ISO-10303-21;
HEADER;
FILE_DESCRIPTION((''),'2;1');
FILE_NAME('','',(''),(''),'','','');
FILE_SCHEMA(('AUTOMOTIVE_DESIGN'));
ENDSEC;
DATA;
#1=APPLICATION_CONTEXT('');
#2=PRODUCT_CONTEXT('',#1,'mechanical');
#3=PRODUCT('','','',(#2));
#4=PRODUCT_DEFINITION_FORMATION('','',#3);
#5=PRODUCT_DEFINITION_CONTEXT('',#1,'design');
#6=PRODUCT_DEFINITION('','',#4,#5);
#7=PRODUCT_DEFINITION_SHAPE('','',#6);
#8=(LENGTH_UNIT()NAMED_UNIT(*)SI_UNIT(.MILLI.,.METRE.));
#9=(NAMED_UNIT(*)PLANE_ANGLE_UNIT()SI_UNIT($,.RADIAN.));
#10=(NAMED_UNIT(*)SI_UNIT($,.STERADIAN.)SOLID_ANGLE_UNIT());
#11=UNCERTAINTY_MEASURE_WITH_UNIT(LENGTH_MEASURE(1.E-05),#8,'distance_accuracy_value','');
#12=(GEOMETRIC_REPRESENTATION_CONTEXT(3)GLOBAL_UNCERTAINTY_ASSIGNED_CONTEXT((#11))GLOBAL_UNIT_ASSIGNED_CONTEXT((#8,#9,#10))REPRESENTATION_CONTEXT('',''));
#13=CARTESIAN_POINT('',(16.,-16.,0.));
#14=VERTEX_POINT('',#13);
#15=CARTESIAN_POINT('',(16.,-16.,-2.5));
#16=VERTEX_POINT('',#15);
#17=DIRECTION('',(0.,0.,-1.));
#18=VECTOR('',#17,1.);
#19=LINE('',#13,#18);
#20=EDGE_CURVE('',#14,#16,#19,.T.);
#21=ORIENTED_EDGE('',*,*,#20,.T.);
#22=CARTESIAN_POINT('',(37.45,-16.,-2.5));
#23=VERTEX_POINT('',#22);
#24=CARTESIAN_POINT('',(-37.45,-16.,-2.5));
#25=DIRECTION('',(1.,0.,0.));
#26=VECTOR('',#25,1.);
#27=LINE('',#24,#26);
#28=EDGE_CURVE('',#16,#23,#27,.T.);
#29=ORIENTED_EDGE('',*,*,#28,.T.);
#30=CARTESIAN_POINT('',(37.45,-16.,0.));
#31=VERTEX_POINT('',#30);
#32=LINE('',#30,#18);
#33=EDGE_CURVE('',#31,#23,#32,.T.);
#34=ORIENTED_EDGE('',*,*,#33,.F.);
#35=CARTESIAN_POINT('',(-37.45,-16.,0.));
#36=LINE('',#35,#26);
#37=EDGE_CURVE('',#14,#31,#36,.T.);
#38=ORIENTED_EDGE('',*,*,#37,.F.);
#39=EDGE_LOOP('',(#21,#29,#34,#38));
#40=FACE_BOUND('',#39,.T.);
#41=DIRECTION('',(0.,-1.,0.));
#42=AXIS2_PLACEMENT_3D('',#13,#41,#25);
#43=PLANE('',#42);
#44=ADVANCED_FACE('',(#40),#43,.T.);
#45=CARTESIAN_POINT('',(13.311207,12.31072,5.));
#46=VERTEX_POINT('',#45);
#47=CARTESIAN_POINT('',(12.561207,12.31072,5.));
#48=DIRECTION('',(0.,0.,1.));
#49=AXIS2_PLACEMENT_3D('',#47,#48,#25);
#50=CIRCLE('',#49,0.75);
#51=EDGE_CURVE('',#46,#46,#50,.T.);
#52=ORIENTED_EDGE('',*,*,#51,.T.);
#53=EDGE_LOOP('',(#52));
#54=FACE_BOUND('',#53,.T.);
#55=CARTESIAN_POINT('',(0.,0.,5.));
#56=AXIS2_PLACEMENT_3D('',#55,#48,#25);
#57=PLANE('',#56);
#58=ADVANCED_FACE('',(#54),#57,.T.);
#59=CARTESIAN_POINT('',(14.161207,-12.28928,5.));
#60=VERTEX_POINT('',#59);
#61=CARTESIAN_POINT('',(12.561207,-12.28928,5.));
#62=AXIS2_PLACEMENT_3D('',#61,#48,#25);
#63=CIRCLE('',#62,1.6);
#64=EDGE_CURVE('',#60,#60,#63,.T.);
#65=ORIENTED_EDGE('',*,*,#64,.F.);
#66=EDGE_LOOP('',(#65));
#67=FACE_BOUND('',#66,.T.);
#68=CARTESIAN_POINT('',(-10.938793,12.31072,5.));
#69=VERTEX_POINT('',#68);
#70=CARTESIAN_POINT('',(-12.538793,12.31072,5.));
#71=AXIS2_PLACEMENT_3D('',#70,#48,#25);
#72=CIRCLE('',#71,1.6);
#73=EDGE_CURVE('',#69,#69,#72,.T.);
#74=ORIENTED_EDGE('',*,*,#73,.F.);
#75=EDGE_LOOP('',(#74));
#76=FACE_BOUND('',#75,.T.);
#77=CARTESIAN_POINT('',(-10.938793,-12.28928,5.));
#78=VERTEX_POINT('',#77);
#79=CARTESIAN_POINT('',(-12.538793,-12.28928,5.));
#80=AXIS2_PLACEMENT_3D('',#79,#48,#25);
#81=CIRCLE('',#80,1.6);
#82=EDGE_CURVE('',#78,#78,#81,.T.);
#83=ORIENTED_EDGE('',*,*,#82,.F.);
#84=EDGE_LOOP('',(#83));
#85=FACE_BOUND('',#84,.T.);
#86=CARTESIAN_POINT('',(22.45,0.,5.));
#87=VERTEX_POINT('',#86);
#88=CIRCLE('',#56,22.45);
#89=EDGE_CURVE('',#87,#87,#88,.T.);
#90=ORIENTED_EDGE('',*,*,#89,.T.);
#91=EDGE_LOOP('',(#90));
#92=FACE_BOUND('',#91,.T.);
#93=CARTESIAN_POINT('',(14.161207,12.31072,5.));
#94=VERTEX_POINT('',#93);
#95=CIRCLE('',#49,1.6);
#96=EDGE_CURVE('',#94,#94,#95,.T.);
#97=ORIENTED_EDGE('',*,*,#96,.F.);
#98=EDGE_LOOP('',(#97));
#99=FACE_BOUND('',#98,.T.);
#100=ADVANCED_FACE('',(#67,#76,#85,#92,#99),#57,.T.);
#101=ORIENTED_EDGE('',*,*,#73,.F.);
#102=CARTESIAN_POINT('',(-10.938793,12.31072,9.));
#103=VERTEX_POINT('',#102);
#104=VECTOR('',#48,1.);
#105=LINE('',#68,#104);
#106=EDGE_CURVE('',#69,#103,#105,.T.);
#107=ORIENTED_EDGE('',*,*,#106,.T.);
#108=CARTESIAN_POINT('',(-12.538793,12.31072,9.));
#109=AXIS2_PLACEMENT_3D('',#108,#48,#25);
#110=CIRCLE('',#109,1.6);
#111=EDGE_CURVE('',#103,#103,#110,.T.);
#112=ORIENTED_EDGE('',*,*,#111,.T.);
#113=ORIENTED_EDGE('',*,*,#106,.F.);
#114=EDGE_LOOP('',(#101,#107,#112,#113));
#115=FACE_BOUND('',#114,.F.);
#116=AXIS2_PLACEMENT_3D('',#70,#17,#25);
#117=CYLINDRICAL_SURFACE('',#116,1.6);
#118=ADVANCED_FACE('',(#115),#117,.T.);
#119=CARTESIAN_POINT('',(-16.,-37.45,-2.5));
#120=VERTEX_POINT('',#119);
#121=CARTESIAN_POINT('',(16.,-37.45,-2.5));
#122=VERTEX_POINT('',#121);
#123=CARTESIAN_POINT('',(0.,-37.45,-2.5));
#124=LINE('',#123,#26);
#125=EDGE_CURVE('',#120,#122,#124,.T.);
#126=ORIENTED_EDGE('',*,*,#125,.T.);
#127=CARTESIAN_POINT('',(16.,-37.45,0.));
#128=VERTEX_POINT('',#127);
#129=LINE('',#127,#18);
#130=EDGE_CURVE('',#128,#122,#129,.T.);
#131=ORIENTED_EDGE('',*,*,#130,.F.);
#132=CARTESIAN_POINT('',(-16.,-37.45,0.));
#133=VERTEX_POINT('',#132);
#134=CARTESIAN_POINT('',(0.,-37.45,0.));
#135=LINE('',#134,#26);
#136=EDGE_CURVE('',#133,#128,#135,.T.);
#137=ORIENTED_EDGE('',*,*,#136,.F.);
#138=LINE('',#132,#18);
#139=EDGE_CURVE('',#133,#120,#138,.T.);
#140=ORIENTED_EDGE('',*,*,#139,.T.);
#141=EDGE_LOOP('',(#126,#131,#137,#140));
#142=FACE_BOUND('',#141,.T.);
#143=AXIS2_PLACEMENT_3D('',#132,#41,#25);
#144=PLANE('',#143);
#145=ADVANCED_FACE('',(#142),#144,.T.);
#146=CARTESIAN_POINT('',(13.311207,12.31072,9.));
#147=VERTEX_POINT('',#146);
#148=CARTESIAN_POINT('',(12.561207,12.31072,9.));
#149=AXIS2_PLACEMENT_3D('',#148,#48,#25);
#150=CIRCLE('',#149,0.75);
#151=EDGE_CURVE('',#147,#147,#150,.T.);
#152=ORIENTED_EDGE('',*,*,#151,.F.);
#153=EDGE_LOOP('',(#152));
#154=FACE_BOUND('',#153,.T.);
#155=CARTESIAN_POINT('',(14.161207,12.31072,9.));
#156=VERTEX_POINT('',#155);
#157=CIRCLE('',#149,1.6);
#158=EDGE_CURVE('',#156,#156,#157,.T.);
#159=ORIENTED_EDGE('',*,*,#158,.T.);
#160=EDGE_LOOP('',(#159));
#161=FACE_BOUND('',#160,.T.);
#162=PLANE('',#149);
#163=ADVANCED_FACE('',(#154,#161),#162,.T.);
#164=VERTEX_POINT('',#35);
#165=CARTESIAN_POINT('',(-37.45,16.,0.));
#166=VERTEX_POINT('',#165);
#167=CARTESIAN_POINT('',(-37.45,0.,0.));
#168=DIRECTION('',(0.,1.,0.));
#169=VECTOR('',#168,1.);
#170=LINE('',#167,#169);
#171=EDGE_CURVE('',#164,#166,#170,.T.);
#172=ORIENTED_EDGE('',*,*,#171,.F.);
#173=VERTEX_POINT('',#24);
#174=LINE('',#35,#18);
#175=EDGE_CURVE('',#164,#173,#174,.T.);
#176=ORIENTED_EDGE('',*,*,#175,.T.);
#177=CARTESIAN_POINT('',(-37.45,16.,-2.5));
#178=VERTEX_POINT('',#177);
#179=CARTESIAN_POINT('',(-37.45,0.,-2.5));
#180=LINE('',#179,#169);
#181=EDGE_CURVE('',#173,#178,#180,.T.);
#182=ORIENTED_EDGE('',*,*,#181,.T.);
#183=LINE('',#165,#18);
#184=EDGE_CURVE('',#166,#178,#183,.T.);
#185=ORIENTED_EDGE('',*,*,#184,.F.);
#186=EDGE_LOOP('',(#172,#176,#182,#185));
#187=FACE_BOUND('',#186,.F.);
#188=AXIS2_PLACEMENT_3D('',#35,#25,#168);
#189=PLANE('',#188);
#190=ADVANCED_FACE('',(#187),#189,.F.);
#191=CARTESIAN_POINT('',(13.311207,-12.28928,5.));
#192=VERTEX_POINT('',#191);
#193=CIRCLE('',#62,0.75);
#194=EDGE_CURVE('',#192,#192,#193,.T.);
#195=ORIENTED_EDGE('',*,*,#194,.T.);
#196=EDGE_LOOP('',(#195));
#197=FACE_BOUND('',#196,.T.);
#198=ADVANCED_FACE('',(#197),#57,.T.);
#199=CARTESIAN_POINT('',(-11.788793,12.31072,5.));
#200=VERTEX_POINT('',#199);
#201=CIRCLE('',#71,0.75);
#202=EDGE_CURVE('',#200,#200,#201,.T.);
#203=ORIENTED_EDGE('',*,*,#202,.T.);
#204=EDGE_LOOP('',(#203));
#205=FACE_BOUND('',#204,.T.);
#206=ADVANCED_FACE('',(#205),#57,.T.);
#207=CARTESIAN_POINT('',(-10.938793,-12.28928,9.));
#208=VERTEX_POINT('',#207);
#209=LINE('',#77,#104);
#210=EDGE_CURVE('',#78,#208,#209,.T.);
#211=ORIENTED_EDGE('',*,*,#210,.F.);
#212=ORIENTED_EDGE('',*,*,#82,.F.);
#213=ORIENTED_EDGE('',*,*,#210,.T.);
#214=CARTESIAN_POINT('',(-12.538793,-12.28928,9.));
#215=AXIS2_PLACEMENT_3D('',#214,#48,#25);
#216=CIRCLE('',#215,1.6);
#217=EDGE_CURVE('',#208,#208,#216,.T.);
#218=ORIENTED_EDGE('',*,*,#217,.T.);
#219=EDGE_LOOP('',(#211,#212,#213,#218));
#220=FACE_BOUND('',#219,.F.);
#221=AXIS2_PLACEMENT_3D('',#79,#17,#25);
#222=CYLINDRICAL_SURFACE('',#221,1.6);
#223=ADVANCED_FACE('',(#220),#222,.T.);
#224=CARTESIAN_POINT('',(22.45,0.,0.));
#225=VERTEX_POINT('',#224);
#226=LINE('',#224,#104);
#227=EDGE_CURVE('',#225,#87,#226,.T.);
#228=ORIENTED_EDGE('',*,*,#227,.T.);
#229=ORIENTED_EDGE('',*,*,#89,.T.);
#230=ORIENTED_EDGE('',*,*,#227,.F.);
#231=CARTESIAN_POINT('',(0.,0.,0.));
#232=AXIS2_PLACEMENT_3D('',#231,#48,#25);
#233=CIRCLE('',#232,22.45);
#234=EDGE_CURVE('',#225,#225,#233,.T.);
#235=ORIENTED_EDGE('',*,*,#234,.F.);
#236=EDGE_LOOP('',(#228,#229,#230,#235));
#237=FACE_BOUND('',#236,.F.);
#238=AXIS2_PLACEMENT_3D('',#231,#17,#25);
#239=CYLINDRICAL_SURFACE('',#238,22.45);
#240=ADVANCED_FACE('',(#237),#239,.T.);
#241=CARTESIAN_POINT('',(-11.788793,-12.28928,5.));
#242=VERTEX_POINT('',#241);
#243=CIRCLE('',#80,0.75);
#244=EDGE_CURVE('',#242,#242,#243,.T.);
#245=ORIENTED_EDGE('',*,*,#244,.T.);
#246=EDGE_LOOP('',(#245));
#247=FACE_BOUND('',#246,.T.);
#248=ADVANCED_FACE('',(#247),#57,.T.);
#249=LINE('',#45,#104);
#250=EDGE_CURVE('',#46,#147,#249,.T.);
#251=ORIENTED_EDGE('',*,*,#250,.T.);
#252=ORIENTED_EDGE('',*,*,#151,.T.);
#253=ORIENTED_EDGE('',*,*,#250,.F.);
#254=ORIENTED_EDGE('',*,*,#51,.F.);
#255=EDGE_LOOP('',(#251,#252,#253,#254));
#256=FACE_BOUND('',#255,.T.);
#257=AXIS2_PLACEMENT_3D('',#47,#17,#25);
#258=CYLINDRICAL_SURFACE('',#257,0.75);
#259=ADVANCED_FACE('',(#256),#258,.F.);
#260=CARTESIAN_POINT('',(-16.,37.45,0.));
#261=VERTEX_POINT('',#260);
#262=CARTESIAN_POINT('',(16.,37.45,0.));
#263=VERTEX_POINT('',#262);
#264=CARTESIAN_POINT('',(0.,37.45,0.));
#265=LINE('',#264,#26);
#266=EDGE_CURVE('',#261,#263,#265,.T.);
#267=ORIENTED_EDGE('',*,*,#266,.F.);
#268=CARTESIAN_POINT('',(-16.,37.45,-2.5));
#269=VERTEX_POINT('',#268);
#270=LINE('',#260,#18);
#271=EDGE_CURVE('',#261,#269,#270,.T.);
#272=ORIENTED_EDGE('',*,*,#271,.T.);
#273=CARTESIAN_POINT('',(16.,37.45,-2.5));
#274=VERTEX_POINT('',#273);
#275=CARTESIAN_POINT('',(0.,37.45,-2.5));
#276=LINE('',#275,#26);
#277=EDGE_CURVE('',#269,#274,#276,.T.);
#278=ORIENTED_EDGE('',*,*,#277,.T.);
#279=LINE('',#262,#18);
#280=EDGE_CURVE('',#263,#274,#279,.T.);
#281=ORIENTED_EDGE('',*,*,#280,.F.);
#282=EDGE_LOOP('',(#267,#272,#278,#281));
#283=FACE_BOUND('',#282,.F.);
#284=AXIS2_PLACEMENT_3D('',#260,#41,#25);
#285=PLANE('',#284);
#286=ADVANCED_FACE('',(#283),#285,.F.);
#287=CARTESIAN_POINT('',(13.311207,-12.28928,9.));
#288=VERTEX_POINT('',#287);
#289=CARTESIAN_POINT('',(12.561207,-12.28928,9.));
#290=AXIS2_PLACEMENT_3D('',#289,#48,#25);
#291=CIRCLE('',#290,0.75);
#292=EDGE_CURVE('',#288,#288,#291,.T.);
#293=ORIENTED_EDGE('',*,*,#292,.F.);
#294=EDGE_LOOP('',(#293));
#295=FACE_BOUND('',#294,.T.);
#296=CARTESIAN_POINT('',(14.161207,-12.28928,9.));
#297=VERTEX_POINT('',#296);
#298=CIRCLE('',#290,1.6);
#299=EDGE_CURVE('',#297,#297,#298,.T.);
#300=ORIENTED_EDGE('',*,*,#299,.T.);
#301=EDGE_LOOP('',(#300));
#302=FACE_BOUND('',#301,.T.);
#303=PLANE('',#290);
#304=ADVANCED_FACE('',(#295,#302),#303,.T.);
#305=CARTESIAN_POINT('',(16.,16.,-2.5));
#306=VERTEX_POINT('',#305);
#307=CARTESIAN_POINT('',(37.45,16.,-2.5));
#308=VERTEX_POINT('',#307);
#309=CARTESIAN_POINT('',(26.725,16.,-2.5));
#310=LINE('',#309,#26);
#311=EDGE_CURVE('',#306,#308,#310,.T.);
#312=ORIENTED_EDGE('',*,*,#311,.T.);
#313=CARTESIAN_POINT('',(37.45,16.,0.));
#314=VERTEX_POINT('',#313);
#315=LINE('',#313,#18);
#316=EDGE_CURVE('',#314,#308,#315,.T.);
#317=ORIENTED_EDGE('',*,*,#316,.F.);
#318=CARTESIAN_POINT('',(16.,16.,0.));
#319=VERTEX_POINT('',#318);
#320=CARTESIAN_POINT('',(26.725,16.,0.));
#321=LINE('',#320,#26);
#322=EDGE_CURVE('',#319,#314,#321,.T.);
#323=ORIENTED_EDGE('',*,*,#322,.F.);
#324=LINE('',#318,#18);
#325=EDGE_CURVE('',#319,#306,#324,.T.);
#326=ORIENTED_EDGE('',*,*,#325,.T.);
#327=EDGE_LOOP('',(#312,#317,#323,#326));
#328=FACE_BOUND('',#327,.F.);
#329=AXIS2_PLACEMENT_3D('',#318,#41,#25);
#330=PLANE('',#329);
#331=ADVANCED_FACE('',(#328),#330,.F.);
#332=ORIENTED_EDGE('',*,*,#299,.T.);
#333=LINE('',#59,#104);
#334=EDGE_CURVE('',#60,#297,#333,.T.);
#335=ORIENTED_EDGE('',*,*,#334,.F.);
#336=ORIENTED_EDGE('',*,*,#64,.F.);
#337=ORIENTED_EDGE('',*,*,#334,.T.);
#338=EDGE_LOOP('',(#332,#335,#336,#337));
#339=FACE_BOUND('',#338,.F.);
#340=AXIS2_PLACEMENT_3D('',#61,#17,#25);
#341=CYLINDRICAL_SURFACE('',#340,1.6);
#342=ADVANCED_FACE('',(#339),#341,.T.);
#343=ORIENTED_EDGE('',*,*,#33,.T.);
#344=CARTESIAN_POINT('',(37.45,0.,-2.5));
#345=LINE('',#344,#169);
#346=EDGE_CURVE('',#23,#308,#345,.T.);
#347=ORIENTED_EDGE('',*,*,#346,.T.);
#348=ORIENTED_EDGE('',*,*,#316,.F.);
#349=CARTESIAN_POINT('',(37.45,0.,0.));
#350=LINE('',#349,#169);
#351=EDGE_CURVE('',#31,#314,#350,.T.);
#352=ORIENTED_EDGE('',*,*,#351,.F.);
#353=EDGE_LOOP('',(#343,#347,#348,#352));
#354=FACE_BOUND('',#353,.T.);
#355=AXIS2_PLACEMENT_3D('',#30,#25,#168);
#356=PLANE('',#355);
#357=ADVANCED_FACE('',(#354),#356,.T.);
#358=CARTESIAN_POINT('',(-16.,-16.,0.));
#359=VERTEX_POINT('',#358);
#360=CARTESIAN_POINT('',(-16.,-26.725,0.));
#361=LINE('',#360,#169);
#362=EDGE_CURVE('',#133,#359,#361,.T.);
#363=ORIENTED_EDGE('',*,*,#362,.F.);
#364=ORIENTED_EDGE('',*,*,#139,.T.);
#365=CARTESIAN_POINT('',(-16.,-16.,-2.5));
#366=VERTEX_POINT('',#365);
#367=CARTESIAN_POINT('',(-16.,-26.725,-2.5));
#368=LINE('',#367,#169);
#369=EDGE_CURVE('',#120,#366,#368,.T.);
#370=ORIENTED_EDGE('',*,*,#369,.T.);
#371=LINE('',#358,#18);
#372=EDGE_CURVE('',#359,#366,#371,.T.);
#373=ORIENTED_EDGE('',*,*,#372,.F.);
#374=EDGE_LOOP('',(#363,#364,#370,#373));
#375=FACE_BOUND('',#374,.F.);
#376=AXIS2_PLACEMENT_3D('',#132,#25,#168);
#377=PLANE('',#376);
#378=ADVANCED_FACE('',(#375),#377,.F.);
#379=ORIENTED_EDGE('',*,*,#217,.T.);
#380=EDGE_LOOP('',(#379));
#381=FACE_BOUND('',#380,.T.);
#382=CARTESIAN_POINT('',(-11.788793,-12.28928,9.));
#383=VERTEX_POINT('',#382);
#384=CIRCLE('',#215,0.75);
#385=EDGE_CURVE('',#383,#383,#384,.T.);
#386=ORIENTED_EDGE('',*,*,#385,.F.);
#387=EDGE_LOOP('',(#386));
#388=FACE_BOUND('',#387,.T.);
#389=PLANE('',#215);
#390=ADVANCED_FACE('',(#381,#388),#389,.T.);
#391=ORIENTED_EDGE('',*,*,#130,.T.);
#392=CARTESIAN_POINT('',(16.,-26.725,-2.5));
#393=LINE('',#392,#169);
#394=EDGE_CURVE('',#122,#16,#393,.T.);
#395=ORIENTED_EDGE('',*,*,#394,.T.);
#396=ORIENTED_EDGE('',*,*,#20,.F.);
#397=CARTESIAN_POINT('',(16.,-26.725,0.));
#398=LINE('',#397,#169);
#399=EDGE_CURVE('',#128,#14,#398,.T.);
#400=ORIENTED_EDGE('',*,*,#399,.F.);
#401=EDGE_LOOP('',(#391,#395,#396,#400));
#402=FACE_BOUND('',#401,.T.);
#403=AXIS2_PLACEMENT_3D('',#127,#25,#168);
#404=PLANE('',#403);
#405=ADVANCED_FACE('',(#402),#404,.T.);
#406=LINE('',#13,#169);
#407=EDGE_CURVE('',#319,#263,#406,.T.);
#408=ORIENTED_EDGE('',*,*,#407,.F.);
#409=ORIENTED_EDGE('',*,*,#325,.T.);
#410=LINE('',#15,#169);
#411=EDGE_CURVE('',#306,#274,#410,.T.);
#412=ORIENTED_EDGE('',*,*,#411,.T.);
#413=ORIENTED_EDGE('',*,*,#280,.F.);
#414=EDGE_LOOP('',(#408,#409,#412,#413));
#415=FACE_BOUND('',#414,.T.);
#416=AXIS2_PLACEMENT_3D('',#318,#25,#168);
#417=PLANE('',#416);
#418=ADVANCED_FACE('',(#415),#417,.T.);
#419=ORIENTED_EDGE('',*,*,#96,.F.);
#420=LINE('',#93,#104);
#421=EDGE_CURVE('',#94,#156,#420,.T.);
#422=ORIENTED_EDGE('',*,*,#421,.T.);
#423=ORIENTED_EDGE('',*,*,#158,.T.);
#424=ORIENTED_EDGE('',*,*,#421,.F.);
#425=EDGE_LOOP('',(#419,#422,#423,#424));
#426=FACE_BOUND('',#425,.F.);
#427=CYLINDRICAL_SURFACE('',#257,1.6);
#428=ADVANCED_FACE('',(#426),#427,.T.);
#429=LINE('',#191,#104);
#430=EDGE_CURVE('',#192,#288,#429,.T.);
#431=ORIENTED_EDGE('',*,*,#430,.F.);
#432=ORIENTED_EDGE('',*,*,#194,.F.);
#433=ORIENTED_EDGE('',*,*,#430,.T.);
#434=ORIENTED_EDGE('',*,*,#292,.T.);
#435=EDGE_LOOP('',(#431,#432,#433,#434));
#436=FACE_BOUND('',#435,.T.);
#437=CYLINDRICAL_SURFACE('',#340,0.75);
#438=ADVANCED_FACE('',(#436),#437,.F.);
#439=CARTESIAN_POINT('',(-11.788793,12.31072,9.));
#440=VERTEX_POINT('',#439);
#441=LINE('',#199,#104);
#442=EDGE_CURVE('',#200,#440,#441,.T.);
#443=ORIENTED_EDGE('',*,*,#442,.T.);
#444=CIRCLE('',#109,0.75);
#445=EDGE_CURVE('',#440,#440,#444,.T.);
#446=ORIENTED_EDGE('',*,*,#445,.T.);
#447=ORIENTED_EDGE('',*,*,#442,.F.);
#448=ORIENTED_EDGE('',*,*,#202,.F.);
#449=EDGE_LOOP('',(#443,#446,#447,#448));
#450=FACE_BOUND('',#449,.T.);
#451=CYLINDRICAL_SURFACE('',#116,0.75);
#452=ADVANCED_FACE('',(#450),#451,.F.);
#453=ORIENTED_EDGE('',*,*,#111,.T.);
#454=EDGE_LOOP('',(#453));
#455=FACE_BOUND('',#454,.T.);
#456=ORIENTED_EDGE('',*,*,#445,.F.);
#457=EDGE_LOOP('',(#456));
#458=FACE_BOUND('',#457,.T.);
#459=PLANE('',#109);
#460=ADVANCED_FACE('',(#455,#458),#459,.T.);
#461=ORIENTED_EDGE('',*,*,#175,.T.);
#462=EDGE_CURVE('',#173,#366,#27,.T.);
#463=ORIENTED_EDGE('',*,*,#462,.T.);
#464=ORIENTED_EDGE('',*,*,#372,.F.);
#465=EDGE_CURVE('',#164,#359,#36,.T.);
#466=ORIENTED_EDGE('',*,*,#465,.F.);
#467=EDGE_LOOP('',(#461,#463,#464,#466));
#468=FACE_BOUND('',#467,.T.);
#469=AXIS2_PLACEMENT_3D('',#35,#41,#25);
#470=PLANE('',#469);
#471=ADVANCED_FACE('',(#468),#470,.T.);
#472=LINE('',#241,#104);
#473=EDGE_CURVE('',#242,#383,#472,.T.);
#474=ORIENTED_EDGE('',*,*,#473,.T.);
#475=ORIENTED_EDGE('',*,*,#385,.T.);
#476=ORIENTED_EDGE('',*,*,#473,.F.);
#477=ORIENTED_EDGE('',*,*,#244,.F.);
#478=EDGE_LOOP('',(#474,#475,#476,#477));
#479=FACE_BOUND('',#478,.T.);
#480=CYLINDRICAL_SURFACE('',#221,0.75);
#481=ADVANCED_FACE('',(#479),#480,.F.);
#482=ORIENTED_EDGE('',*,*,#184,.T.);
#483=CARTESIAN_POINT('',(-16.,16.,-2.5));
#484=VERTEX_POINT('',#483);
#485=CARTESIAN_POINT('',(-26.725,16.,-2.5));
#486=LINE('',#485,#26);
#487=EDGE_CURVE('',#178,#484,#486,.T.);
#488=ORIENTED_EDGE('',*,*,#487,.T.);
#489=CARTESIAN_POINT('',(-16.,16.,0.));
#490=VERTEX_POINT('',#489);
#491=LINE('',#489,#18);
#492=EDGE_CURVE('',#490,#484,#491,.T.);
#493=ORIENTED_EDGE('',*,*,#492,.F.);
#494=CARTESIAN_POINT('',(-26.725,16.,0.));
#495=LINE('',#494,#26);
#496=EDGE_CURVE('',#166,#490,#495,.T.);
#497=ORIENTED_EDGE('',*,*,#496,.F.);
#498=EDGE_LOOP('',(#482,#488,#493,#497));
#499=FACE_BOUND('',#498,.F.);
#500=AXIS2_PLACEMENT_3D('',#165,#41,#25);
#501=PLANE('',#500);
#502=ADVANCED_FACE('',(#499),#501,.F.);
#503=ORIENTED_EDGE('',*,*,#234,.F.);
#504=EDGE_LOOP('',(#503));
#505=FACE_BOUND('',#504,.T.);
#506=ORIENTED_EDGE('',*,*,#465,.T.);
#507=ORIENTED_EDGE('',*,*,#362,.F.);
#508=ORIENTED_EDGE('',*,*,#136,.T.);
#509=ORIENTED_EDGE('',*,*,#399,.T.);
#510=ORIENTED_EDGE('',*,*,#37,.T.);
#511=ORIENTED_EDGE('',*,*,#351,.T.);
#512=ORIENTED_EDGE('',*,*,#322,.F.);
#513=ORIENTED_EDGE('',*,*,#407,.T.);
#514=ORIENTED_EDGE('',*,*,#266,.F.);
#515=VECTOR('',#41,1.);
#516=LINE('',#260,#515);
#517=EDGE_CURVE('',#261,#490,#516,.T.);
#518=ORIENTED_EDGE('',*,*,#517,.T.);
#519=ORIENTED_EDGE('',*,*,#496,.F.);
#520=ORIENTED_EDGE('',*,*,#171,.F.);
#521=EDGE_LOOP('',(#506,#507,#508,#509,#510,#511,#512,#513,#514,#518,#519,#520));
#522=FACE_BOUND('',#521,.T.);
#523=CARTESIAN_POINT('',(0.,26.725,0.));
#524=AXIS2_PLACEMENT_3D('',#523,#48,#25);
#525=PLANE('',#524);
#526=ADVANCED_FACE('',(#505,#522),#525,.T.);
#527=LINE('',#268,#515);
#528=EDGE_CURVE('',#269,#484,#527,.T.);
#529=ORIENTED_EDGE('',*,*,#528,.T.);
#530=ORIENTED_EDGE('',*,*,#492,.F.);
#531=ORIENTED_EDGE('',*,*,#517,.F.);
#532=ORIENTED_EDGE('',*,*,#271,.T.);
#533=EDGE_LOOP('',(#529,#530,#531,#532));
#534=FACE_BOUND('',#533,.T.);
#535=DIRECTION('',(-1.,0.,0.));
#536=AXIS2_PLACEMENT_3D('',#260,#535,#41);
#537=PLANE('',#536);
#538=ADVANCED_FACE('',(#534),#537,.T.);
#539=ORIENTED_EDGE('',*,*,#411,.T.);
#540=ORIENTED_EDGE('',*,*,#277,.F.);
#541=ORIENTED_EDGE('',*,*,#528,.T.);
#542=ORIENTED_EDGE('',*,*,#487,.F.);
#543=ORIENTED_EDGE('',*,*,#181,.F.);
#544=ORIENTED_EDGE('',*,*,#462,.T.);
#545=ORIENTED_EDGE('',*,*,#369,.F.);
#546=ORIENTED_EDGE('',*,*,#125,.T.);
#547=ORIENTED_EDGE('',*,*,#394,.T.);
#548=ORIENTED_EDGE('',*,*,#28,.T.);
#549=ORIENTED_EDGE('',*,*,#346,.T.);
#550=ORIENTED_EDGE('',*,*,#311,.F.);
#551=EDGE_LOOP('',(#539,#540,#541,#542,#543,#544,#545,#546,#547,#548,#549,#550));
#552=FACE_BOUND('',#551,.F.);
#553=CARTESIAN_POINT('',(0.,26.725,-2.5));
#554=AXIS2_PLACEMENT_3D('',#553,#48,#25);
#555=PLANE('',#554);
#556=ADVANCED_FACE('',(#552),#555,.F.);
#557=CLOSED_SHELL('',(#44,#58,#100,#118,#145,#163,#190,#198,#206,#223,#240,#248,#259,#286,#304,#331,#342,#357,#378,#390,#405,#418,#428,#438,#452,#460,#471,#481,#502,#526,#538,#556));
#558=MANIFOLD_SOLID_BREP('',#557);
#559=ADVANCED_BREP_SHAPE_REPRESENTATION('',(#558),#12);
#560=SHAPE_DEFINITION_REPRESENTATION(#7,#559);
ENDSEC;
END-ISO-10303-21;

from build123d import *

# Parameters (mm, degrees)
F0_R     = 22.45
F1_DEPTH = 5
F2_W     = 32
F2_H     = 21.45
F2_H_2   = 32
F2_W_2   = 21.45
F3_DEPTH = 2.5
F4_R     = 1.6
F4_R_2   = 0.75
F5_DEPTH = 4


with BuildPart() as f1:
    # F0 (on Top) → F1 (new body)
    with BuildSketch(Plane.XY):
        Circle(F0_R)
    extrude(amount=F1_DEPTH)

    # F2 (on Top) → F3 (join)
    with BuildSketch(Plane.XY):
        with Locations((0, 26.725)):
            Rectangle(F2_W, F2_H)
        Rectangle(F2_W, F2_H_2)
        with Locations((-26.725, 0)):
            Rectangle(F2_W_2, F2_H_2)
        with Locations((26.725, 0)):
            Rectangle(F2_W_2, F2_H_2)
        with Locations((0, -26.725)):
            Rectangle(F2_W, F2_H)
    extrude(amount=-F3_DEPTH)

    # F4 (on face) → F5 (join)
    with BuildSketch(Plane.XY.offset(5)):
        with Locations((12.5612070115, 12.3107198171)):
            Circle(F4_R)
        with Locations((12.5612070115, 12.3107198171)):
            Circle(F4_R_2, mode=Mode.SUBTRACT)
        with Locations((-12.5387929885, 12.3107198171)):
            Circle(F4_R)
        with Locations((-12.5387929885, 12.3107198171)):
            Circle(F4_R_2, mode=Mode.SUBTRACT)
        with Locations((-12.5387929885, -12.2892801829)):
            Circle(F4_R)
        with Locations((-12.5387929885, -12.2892801829)):
            Circle(F4_R_2, mode=Mode.SUBTRACT)
        with Locations((12.5612070115, -12.2892801829)):
            Circle(F4_R)
        with Locations((12.5612070115, -12.2892801829)):
            Circle(F4_R_2, mode=Mode.SUBTRACT)
    extrude(amount=F5_DEPTH)


solid = f1.part
